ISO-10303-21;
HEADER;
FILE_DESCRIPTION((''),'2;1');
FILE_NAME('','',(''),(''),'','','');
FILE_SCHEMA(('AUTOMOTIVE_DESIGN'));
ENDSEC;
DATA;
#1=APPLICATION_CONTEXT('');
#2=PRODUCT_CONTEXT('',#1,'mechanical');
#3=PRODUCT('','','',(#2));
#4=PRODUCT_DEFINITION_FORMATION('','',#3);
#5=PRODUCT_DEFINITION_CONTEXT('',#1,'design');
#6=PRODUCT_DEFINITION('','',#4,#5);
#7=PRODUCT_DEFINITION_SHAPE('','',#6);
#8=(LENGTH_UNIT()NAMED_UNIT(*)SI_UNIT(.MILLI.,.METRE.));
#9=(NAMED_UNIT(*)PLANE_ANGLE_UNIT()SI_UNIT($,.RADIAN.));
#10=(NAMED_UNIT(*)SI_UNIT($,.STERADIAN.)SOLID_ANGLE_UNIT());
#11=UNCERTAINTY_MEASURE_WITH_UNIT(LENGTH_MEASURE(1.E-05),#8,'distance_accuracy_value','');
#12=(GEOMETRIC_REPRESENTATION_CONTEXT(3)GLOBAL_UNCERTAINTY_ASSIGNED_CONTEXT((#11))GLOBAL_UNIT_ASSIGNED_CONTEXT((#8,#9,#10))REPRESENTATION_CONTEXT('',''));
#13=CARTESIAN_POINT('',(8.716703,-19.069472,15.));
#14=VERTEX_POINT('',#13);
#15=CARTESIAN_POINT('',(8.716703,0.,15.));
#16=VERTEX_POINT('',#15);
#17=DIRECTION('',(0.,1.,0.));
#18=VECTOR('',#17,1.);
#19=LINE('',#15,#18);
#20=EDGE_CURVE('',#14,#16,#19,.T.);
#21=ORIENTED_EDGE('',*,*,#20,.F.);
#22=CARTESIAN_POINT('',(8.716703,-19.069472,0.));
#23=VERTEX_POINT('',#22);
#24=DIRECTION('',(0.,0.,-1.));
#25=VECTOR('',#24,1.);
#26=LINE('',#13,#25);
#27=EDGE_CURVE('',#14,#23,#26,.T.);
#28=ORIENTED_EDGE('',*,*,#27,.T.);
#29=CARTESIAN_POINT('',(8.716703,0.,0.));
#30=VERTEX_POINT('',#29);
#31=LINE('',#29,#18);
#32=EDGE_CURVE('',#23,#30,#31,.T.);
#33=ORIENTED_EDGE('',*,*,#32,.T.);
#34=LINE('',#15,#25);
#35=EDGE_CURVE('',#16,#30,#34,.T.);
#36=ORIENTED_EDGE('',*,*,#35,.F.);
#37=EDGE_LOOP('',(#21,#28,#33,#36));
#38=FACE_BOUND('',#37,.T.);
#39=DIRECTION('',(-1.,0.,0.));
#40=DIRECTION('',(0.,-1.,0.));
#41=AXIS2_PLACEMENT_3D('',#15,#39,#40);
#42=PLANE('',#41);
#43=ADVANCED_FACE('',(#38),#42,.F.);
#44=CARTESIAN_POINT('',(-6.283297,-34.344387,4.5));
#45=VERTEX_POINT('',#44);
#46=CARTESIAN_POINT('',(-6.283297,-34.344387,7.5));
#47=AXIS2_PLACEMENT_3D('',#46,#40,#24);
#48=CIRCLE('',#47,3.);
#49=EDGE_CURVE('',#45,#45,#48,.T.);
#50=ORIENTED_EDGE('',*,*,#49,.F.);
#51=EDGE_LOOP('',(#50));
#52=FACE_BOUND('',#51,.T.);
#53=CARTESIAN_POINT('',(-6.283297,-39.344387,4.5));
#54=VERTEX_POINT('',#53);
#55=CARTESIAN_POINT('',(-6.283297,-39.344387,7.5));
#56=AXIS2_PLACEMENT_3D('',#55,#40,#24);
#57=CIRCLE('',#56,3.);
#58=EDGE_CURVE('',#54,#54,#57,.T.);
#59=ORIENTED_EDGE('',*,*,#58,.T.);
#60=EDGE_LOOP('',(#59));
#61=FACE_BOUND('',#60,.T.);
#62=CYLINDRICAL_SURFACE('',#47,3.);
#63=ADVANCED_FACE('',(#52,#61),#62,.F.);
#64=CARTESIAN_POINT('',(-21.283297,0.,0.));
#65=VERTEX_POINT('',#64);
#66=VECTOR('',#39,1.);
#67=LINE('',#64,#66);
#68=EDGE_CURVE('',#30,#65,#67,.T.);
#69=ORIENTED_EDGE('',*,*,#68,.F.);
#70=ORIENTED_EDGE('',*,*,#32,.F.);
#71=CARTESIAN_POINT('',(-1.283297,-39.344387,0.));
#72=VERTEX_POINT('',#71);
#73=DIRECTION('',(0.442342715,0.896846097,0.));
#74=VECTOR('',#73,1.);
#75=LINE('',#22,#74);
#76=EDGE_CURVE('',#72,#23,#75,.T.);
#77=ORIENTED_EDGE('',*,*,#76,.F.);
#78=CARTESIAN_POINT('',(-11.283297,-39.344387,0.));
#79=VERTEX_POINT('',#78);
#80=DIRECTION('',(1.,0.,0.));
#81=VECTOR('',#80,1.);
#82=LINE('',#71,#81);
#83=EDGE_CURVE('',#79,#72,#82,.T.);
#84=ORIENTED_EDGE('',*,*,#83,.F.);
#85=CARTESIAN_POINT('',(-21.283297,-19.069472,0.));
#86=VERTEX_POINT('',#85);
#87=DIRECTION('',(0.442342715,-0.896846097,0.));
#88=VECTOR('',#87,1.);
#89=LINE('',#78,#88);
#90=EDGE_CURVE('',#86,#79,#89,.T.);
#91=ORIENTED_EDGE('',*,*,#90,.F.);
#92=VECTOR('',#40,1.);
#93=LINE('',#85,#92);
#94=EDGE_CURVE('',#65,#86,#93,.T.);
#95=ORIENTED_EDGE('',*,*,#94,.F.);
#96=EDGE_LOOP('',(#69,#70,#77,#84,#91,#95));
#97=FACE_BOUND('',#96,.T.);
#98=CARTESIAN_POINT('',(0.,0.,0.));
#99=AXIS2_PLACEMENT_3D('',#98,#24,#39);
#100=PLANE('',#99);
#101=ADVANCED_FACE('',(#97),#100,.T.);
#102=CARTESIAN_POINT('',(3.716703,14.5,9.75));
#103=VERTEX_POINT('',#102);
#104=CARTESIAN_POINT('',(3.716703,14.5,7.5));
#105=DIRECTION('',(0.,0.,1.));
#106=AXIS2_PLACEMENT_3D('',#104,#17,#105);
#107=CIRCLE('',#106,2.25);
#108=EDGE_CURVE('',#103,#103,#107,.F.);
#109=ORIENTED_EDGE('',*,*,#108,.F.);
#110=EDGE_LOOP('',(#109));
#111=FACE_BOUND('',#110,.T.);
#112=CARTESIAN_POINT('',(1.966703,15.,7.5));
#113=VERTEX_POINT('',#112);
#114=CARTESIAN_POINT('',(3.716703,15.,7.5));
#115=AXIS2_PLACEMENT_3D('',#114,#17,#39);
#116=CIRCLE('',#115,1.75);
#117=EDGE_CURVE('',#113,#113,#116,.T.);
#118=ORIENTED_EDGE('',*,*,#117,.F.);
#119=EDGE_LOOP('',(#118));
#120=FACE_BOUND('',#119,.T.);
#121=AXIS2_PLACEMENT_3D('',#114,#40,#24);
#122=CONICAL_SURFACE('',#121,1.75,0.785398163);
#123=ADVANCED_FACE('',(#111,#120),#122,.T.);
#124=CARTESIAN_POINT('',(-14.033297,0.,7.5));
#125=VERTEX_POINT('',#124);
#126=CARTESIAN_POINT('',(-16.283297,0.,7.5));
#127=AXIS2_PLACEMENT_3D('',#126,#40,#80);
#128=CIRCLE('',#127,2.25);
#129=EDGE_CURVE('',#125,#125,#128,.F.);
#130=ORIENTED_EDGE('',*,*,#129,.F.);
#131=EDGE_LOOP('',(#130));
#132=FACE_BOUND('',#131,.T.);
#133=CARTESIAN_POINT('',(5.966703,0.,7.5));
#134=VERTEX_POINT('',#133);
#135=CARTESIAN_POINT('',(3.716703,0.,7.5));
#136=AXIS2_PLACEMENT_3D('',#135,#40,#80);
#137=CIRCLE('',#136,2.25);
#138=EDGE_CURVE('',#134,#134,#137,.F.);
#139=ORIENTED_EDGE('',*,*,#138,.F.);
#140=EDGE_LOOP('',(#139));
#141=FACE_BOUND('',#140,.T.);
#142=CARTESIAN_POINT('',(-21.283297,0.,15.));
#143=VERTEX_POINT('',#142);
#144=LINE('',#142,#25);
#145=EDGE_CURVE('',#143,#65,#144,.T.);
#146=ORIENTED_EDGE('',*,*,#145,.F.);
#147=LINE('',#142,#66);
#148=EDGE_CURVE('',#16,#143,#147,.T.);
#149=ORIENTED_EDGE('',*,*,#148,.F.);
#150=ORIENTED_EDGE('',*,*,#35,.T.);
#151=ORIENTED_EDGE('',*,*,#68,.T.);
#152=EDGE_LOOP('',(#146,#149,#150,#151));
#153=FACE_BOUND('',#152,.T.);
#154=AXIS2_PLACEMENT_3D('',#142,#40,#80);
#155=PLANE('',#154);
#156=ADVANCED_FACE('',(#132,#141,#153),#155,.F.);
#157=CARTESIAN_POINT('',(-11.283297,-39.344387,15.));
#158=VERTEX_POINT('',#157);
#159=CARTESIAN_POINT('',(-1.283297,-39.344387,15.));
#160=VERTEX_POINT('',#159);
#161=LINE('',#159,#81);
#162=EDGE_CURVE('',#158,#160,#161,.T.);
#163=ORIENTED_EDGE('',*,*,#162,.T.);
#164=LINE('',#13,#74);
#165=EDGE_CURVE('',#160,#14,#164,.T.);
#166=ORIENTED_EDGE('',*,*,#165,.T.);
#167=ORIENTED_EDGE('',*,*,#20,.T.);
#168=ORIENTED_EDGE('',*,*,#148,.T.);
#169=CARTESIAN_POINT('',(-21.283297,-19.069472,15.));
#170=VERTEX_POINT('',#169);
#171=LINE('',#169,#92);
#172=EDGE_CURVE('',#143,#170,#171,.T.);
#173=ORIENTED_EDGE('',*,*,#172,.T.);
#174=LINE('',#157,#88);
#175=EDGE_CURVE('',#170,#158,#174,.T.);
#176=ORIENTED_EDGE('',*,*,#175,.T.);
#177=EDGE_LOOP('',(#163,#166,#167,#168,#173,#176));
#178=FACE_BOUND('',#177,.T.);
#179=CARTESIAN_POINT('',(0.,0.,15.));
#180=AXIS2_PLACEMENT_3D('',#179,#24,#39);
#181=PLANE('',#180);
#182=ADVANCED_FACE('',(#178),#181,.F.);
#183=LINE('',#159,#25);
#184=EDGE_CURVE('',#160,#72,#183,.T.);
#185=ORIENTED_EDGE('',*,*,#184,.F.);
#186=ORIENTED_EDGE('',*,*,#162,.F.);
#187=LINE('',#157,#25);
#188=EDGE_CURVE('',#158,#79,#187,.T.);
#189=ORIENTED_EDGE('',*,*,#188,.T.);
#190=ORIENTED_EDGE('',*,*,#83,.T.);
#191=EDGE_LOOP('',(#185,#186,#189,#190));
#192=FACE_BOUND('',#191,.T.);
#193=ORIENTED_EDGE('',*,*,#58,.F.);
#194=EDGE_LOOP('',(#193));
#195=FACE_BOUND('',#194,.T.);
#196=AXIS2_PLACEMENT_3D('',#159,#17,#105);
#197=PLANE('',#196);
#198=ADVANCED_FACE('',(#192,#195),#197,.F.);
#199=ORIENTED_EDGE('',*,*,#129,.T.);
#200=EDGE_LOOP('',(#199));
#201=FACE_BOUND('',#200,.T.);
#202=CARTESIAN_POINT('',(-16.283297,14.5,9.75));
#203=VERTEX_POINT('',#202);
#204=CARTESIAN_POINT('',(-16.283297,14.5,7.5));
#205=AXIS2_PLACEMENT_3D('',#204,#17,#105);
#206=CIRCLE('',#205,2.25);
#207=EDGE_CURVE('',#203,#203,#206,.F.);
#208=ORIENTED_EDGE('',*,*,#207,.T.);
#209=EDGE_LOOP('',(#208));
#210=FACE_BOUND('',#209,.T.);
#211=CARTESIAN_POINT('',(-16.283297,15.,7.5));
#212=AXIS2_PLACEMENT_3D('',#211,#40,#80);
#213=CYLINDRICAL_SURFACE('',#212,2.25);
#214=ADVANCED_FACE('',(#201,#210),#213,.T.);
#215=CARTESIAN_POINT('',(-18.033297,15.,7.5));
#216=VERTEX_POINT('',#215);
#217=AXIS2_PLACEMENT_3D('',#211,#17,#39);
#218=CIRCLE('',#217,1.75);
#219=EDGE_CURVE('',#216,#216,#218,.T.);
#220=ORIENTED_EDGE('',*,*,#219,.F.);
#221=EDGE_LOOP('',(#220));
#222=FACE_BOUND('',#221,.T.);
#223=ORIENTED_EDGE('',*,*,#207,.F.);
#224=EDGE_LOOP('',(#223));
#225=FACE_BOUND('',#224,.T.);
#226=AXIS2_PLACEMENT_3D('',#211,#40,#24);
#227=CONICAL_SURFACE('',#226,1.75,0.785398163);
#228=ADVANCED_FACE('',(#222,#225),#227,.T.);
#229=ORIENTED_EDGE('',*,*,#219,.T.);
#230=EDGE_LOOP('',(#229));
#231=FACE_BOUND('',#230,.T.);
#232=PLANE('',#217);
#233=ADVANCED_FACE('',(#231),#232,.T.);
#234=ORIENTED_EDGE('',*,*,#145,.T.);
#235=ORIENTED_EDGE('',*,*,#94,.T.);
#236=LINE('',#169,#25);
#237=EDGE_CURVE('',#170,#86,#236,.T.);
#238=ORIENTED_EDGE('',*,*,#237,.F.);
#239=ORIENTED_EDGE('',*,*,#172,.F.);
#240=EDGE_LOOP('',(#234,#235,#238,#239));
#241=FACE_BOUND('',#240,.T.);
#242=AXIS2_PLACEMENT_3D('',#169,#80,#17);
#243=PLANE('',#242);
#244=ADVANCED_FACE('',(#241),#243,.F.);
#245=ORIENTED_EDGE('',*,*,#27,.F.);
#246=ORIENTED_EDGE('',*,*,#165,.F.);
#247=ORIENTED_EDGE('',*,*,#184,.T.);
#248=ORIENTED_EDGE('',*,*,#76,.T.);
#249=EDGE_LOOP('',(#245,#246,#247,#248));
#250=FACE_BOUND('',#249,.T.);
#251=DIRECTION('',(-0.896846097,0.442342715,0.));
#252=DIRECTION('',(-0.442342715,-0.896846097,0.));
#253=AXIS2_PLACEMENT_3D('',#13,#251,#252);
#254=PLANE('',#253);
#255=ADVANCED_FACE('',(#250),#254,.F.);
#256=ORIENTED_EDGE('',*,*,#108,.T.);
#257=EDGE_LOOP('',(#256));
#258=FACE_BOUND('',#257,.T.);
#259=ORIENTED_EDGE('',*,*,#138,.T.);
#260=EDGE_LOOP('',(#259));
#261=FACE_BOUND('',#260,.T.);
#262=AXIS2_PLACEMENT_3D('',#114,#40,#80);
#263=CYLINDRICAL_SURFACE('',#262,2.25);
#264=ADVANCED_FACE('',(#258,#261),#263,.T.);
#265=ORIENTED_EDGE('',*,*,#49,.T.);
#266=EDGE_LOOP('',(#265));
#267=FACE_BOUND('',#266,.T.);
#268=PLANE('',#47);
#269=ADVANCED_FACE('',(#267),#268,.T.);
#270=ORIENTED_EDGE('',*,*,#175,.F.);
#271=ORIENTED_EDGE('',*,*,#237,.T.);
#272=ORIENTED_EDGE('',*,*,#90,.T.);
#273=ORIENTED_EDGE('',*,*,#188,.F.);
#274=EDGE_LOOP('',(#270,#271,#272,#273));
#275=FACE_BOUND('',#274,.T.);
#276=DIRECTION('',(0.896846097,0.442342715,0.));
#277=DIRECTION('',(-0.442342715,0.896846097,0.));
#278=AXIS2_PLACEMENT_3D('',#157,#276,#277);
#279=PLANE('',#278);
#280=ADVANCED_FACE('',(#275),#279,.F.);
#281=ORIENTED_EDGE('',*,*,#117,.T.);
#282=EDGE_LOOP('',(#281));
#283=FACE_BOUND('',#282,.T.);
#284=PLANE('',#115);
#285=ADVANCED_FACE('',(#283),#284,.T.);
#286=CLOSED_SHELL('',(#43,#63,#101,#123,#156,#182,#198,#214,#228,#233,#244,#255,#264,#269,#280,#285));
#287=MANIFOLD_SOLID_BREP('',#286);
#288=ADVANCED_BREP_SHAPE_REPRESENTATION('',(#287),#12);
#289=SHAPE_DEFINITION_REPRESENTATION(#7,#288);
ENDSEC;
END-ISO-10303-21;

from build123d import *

# Parameters (mm, degrees)
BOSS_EXTRUDE1_DEPTH = 15
SKETCH2_R           = 2.25
BOSS_EXTRUDE2_DEPTH = 15
CHAMFER4_SIZE       = 0.5
CHAMFER5_SIZE       = 0.5
SKETCH4_R           = 3
CUT_EXTRUDE1_DEPTH  = 5


with BuildPart() as part:
    # Sketch1 → Boss-Extrude1 (new body)
    with BuildSketch(Plane.XY):
        Polygon((-21.283297093, 0), (8.716702907, 0), (8.716702907, -19.069471621), (-1.283297093, -39.344386688), (-11.283297093, -39.344386688), (-21.283297093, -19.069471621), align=None)
    extrude(amount=BOSS_EXTRUDE1_DEPTH)

    # Sketch2 → Boss-Extrude2 (add)
    with BuildSketch(Plane(origin=(0, 0, 0), x_dir=(1, 0, 0), z_dir=(0, 1, 0))):
        with Locations((-16.283297093, -7.5)):
            Circle(SKETCH2_R)
        with Locations((3.716702907, -7.5)):
            Circle(SKETCH2_R)
    extrude(amount=BOSS_EXTRUDE2_DEPTH)

    # Chamfer4
    chamfer4_edges = [part.edges().sort_by_distance(p)[0] for p in [
        (-18.533297093, 15, 7.5),
    ]]
    chamfer(chamfer4_edges, length=CHAMFER4_SIZE)

    # Chamfer5
    chamfer5_edges = [part.edges().sort_by_distance(p)[0] for p in [
        (1.466702907, 15, 7.5),
    ]]
    chamfer(chamfer5_edges, length=CHAMFER5_SIZE)

    # Sketch4 → Cut-Extrude1 (cut)
    with BuildSketch(Plane(origin=(0, -39.344386688, 0), x_dir=(-1, 0, 0), z_dir=(0, -1, 0))):
        with Locations((6.283297093, -7.5)):
            Circle(SKETCH4_R)
    extrude(amount=-CUT_EXTRUDE1_DEPTH, mode=Mode.SUBTRACT)


solid = part.part
